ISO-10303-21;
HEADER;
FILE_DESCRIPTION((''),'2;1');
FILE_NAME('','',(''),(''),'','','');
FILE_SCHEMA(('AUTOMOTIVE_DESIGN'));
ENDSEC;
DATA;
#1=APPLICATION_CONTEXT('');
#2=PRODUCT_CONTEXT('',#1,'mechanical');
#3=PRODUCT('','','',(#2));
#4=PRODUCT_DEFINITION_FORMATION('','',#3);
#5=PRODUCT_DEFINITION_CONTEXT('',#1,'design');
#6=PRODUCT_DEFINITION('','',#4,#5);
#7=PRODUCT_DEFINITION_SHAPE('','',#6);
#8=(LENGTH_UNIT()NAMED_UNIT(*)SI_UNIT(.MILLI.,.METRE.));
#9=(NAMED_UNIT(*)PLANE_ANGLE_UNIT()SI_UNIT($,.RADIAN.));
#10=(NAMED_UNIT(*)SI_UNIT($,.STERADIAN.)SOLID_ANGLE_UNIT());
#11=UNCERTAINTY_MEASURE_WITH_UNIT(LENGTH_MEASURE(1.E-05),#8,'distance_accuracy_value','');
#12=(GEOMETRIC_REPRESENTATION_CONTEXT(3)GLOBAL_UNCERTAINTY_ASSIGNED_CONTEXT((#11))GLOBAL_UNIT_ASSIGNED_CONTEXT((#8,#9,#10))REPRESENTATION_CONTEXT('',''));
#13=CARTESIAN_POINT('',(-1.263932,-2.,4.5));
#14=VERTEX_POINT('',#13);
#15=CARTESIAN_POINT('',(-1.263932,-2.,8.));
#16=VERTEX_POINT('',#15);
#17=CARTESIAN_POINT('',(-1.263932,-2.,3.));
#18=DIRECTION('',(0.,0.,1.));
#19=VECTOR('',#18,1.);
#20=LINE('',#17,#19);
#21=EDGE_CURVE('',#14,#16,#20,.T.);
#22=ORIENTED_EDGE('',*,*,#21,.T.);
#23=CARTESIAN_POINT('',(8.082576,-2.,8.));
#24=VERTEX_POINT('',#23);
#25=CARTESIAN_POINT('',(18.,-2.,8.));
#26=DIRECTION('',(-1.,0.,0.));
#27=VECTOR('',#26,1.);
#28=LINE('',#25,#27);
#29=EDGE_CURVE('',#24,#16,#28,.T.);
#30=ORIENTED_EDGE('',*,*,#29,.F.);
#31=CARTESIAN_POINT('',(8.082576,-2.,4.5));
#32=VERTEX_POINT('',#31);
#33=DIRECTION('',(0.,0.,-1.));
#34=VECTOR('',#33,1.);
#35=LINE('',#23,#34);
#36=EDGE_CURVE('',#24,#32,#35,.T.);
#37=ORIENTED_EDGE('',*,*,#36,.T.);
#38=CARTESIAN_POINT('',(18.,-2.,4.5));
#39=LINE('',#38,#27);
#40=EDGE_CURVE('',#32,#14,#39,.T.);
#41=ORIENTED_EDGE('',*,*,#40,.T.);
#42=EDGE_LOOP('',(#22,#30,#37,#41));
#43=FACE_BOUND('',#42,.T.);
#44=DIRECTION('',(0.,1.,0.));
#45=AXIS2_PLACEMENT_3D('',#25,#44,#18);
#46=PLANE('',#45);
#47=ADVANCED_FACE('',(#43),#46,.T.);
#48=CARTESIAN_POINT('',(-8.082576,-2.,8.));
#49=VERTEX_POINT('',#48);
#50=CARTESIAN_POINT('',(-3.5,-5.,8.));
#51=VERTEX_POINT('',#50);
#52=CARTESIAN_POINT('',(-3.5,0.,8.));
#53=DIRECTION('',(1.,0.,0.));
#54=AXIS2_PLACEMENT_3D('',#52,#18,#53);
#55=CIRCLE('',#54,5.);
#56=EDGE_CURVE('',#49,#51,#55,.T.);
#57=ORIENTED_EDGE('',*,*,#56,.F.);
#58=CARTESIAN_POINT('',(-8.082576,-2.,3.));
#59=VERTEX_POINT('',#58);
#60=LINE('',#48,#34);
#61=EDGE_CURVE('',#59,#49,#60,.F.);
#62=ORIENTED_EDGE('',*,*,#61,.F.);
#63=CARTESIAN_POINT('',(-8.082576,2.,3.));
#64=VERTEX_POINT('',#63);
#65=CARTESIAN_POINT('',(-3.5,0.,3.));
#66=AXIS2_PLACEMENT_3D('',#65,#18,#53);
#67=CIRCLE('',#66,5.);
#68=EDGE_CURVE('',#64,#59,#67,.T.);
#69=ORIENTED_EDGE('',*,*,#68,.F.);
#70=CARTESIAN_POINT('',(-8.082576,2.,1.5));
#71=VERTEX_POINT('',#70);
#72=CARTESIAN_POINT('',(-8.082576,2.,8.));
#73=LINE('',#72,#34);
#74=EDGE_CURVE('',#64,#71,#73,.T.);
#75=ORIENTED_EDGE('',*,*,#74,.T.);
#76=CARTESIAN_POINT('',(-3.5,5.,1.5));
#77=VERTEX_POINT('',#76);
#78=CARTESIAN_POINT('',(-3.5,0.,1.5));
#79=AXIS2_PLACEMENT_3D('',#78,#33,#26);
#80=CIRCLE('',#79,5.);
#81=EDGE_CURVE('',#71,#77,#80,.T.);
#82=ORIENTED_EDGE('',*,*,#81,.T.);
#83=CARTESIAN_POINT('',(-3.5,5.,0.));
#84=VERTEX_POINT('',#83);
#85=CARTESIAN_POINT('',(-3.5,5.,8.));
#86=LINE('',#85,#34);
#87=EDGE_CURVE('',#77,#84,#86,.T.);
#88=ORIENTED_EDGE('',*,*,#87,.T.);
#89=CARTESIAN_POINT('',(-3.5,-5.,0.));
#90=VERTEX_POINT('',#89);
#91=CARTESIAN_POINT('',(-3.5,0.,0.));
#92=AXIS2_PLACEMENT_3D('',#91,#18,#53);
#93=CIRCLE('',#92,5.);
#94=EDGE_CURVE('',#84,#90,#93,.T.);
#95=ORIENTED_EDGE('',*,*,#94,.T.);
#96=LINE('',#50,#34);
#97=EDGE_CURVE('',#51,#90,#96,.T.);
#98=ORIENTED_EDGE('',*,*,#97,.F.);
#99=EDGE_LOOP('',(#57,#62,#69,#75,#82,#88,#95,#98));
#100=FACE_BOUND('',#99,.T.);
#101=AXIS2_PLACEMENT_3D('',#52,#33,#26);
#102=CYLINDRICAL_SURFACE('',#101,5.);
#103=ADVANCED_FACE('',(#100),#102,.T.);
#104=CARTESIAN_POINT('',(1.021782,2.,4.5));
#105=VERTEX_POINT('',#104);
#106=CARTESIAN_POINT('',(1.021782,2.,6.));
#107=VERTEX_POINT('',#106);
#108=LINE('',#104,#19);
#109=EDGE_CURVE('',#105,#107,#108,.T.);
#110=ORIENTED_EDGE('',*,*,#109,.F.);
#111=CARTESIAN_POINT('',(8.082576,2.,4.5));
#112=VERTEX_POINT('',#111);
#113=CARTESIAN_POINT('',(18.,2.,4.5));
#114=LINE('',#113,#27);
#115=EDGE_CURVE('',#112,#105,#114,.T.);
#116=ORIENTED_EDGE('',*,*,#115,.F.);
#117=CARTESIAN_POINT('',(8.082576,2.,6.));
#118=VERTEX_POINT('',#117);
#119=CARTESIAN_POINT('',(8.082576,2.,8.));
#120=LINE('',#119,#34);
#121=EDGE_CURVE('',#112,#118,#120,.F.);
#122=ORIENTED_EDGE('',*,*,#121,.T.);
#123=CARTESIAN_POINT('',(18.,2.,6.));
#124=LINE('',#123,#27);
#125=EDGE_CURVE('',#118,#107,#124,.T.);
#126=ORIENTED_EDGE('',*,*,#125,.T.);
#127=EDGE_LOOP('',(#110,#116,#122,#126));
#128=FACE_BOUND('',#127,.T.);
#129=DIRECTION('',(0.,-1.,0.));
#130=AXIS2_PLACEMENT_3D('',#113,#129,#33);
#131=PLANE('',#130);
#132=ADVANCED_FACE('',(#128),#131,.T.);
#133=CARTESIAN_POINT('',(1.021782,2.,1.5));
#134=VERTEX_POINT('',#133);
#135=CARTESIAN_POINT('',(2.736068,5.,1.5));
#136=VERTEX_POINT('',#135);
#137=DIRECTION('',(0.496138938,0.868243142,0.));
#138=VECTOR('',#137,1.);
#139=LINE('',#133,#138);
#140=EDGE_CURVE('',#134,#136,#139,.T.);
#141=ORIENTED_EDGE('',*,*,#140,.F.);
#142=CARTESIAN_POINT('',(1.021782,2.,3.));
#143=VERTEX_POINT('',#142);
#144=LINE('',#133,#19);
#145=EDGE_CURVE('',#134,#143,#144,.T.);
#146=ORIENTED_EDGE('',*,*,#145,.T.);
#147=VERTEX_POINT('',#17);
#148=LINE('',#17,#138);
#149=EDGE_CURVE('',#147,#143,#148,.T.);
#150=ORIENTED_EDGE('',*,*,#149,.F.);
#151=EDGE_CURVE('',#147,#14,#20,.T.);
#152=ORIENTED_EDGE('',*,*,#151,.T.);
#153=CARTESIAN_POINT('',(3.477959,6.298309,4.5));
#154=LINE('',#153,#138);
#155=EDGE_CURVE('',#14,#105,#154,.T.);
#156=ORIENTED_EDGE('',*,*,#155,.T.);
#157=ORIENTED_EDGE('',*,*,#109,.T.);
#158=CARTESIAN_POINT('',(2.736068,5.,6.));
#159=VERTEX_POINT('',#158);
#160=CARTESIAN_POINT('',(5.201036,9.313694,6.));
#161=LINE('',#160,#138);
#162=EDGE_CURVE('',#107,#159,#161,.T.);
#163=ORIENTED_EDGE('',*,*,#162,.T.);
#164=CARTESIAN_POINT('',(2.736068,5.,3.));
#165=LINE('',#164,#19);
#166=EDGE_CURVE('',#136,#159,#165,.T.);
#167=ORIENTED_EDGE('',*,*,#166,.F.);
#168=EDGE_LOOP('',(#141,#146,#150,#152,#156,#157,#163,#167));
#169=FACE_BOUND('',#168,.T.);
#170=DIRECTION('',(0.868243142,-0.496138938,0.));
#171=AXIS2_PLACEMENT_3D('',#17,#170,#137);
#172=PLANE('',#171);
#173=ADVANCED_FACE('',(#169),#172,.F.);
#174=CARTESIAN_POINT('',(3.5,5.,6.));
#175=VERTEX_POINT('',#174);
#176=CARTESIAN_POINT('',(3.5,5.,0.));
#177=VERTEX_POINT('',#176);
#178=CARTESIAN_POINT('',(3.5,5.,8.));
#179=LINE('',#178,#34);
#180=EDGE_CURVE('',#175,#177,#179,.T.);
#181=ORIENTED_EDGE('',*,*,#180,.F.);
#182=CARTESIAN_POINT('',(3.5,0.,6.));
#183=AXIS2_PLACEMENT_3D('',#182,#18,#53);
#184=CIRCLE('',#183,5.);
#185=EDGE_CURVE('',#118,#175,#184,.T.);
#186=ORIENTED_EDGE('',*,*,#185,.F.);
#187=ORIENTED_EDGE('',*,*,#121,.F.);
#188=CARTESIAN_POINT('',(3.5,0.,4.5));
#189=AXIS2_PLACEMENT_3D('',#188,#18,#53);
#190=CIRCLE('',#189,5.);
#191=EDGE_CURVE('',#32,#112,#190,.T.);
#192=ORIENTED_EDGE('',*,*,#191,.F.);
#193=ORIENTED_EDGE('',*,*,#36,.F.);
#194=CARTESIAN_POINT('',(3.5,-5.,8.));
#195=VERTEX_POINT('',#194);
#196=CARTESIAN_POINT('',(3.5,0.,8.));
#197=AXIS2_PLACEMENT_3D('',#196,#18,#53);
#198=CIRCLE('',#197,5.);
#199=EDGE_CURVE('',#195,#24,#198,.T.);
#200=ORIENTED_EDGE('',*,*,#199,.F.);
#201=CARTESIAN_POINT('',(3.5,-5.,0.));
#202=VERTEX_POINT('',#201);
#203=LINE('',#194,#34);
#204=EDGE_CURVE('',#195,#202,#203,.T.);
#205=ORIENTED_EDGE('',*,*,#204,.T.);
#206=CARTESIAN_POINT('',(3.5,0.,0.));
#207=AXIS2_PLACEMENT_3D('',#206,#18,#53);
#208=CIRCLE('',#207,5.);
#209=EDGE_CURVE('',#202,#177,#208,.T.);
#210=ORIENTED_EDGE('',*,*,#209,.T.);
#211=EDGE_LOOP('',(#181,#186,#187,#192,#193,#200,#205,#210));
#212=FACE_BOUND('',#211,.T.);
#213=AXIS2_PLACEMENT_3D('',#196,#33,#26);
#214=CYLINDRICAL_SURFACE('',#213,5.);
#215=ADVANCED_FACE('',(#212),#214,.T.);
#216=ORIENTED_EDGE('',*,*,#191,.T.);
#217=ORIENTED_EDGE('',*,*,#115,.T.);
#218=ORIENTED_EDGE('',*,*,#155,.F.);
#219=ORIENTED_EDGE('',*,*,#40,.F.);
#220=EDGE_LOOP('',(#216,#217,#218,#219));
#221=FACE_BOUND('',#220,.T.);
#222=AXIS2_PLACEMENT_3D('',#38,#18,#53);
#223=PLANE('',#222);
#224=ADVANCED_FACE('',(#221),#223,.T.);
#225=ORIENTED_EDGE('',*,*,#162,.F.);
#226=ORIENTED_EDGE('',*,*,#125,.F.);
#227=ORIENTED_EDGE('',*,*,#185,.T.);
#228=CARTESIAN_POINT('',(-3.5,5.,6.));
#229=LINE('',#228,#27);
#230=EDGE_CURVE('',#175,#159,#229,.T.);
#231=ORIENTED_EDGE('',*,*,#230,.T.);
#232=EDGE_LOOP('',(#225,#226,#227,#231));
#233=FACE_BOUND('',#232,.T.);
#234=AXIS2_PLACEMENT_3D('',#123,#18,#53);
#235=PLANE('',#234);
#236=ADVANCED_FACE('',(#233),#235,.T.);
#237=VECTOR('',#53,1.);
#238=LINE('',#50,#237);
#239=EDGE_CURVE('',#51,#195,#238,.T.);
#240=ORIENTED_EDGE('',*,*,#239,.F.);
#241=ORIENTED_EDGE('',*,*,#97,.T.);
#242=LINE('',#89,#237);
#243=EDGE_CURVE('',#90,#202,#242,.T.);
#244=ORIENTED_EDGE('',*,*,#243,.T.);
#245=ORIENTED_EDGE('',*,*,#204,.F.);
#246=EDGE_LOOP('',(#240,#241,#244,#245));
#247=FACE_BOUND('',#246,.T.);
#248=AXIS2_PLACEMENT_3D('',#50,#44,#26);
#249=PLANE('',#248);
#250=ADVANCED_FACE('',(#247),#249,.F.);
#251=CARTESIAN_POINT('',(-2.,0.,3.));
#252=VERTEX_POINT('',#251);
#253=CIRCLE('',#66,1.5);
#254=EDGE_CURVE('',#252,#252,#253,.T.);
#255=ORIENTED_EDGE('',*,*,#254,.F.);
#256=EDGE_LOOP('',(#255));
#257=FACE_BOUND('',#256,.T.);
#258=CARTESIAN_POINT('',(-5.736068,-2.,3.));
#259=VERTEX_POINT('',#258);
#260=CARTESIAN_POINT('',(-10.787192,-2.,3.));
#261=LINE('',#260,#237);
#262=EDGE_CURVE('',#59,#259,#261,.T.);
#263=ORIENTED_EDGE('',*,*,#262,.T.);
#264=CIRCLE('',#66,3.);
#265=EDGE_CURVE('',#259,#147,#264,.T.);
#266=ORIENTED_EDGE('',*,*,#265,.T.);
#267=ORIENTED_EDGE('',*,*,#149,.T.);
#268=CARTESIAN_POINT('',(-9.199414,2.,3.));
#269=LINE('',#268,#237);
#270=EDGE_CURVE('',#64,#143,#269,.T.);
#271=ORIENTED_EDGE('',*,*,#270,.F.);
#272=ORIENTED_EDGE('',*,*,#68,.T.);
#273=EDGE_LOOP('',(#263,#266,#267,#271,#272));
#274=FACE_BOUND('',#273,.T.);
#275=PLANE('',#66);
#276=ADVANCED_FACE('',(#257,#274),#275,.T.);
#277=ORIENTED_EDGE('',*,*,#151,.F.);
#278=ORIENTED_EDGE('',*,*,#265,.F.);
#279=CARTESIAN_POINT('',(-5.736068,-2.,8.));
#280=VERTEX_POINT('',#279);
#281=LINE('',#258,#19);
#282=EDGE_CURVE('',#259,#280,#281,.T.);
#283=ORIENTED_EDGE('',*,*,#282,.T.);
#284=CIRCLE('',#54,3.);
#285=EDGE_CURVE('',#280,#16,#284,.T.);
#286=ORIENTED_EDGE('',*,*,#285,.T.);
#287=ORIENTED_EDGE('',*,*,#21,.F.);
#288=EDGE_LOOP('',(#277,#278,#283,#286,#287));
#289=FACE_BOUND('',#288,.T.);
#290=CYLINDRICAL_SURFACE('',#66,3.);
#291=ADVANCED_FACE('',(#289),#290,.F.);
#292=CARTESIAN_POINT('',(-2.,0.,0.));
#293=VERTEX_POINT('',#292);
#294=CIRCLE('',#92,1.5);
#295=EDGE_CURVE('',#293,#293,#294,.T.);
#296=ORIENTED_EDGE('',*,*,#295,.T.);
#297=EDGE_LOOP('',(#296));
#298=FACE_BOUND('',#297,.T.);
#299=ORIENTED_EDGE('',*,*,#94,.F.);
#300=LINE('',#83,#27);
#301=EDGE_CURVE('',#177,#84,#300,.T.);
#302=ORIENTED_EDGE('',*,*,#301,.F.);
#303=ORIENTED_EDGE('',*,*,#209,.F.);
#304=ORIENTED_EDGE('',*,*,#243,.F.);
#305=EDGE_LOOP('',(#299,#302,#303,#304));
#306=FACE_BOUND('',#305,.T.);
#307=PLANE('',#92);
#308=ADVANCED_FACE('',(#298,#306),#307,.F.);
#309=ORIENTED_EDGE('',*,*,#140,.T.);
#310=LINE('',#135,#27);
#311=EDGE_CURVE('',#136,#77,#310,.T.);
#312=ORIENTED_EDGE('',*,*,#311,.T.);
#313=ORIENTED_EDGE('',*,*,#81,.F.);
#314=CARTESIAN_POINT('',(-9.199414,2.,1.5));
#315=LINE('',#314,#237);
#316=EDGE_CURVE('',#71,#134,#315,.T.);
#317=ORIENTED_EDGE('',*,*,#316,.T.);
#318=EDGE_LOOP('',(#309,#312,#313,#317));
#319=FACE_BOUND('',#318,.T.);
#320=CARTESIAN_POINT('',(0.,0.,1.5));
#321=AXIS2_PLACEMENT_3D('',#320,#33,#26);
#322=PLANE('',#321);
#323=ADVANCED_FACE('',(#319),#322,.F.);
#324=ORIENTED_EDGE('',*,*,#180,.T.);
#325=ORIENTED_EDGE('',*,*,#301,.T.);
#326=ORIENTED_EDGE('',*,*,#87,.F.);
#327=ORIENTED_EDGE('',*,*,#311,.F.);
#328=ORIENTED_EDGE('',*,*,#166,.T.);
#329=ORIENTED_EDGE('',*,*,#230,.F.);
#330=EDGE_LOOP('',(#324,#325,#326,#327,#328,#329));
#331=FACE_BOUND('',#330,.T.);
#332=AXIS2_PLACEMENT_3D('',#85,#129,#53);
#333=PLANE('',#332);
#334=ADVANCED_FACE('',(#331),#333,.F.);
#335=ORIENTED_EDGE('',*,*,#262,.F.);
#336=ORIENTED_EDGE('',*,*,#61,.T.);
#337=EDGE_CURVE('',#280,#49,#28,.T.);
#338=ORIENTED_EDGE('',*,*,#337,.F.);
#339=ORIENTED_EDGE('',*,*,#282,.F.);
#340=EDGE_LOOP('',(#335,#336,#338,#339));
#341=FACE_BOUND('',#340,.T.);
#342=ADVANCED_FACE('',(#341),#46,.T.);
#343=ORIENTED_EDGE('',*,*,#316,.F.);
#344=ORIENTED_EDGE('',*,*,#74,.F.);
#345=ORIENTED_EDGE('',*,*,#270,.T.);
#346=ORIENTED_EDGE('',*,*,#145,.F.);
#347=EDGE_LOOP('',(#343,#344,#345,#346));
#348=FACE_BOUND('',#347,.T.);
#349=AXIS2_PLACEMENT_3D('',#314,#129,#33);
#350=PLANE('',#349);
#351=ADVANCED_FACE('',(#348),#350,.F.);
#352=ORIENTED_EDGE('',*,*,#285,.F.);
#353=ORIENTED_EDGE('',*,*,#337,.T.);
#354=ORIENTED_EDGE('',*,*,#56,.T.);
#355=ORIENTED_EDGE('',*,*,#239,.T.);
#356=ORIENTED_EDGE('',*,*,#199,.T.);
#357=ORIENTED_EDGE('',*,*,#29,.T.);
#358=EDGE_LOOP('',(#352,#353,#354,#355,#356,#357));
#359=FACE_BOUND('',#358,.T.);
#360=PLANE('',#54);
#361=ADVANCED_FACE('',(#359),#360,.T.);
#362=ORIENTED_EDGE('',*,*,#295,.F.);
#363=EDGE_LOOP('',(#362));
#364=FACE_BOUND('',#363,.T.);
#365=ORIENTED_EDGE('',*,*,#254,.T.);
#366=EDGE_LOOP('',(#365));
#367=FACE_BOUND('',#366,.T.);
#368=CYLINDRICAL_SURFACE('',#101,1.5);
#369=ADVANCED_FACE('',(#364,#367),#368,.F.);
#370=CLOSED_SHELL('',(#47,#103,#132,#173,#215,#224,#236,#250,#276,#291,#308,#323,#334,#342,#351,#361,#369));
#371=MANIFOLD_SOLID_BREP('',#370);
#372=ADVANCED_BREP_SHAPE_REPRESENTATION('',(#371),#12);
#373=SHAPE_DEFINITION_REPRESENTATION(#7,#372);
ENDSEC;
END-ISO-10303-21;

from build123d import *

# Parameters (mm, degrees)
SKETCH2_R               = 1.5
BOSS_EXTRUDE1_DEPTH     = 8
CUT_EXTRUDE1_DEPTH      = 18
CUT_EXTRUDE1_DEPTH_BACK = 18
CUT_EXTRUDE2_DEPTH      = 5
CUT_EXTRUDE3_DEPTH      = 1.5


with BuildPart() as part:
    # Sketch2 → Boss-Extrude1 (new body)
    with BuildSketch(Plane.XY):
        with BuildLine():
            Line((-3.5, 5), (3.5, 5))
            ThreePointArc((3.5, 5), (8.5, 0), (3.5, -5))
            Line((3.5, -5), (-3.5, -5))
            ThreePointArc((-3.5, -5), (-8.5, 0), (-3.5, 5))
        make_face()
        with Locations((-3.5, 0)):
            Circle(SKETCH2_R, mode=Mode.SUBTRACT)
    extrude(amount=BOSS_EXTRUDE1_DEPTH)

    # Sketch3 → Cut-Extrude1 (cut, two sides: drawn at the far end of the back side and taken through both)
    with BuildSketch(Plane(origin=(0, 0, 0), x_dir=(0, 0, -1), z_dir=(1, 0, 0)).offset(-CUT_EXTRUDE1_DEPTH_BACK)):
        Polygon((-8, -2), (-4.5, -2), (-4.5, 2), (-6, 2), (-6, 5), (-8, 5), align=None)
    extrude(amount=CUT_EXTRUDE1_DEPTH + CUT_EXTRUDE1_DEPTH_BACK, mode=Mode.SUBTRACT)

    # Sketch4 → Cut-Extrude2 (cut)
    with BuildSketch(Plane.XY.offset(8)):
        with BuildLine():
            Line((-1.263932023, -2), (2.736067977, 5))
            Line((2.736067977, 5), (-10.787192153, 5))
            Line((-10.787192153, 5), (-10.787192153, -2))
            Line((-10.787192153, -2), (-5.736067977, -2))
            ThreePointArc((-5.736067977, -2), (-3.5, -3), (-1.263932023, -2))
        make_face()
    extrude(amount=-CUT_EXTRUDE2_DEPTH, mode=Mode.SUBTRACT)

    # Sketch5 → Cut-Extrude3 (cut)
    with BuildSketch(Plane.XY.offset(3)):
        Polygon((1.021782263, 2), (2.736067977, 5), (-9.199414094, 5), (-9.199414094, 2), align=None)
    extrude(amount=-CUT_EXTRUDE3_DEPTH, mode=Mode.SUBTRACT)


solid = part.part
